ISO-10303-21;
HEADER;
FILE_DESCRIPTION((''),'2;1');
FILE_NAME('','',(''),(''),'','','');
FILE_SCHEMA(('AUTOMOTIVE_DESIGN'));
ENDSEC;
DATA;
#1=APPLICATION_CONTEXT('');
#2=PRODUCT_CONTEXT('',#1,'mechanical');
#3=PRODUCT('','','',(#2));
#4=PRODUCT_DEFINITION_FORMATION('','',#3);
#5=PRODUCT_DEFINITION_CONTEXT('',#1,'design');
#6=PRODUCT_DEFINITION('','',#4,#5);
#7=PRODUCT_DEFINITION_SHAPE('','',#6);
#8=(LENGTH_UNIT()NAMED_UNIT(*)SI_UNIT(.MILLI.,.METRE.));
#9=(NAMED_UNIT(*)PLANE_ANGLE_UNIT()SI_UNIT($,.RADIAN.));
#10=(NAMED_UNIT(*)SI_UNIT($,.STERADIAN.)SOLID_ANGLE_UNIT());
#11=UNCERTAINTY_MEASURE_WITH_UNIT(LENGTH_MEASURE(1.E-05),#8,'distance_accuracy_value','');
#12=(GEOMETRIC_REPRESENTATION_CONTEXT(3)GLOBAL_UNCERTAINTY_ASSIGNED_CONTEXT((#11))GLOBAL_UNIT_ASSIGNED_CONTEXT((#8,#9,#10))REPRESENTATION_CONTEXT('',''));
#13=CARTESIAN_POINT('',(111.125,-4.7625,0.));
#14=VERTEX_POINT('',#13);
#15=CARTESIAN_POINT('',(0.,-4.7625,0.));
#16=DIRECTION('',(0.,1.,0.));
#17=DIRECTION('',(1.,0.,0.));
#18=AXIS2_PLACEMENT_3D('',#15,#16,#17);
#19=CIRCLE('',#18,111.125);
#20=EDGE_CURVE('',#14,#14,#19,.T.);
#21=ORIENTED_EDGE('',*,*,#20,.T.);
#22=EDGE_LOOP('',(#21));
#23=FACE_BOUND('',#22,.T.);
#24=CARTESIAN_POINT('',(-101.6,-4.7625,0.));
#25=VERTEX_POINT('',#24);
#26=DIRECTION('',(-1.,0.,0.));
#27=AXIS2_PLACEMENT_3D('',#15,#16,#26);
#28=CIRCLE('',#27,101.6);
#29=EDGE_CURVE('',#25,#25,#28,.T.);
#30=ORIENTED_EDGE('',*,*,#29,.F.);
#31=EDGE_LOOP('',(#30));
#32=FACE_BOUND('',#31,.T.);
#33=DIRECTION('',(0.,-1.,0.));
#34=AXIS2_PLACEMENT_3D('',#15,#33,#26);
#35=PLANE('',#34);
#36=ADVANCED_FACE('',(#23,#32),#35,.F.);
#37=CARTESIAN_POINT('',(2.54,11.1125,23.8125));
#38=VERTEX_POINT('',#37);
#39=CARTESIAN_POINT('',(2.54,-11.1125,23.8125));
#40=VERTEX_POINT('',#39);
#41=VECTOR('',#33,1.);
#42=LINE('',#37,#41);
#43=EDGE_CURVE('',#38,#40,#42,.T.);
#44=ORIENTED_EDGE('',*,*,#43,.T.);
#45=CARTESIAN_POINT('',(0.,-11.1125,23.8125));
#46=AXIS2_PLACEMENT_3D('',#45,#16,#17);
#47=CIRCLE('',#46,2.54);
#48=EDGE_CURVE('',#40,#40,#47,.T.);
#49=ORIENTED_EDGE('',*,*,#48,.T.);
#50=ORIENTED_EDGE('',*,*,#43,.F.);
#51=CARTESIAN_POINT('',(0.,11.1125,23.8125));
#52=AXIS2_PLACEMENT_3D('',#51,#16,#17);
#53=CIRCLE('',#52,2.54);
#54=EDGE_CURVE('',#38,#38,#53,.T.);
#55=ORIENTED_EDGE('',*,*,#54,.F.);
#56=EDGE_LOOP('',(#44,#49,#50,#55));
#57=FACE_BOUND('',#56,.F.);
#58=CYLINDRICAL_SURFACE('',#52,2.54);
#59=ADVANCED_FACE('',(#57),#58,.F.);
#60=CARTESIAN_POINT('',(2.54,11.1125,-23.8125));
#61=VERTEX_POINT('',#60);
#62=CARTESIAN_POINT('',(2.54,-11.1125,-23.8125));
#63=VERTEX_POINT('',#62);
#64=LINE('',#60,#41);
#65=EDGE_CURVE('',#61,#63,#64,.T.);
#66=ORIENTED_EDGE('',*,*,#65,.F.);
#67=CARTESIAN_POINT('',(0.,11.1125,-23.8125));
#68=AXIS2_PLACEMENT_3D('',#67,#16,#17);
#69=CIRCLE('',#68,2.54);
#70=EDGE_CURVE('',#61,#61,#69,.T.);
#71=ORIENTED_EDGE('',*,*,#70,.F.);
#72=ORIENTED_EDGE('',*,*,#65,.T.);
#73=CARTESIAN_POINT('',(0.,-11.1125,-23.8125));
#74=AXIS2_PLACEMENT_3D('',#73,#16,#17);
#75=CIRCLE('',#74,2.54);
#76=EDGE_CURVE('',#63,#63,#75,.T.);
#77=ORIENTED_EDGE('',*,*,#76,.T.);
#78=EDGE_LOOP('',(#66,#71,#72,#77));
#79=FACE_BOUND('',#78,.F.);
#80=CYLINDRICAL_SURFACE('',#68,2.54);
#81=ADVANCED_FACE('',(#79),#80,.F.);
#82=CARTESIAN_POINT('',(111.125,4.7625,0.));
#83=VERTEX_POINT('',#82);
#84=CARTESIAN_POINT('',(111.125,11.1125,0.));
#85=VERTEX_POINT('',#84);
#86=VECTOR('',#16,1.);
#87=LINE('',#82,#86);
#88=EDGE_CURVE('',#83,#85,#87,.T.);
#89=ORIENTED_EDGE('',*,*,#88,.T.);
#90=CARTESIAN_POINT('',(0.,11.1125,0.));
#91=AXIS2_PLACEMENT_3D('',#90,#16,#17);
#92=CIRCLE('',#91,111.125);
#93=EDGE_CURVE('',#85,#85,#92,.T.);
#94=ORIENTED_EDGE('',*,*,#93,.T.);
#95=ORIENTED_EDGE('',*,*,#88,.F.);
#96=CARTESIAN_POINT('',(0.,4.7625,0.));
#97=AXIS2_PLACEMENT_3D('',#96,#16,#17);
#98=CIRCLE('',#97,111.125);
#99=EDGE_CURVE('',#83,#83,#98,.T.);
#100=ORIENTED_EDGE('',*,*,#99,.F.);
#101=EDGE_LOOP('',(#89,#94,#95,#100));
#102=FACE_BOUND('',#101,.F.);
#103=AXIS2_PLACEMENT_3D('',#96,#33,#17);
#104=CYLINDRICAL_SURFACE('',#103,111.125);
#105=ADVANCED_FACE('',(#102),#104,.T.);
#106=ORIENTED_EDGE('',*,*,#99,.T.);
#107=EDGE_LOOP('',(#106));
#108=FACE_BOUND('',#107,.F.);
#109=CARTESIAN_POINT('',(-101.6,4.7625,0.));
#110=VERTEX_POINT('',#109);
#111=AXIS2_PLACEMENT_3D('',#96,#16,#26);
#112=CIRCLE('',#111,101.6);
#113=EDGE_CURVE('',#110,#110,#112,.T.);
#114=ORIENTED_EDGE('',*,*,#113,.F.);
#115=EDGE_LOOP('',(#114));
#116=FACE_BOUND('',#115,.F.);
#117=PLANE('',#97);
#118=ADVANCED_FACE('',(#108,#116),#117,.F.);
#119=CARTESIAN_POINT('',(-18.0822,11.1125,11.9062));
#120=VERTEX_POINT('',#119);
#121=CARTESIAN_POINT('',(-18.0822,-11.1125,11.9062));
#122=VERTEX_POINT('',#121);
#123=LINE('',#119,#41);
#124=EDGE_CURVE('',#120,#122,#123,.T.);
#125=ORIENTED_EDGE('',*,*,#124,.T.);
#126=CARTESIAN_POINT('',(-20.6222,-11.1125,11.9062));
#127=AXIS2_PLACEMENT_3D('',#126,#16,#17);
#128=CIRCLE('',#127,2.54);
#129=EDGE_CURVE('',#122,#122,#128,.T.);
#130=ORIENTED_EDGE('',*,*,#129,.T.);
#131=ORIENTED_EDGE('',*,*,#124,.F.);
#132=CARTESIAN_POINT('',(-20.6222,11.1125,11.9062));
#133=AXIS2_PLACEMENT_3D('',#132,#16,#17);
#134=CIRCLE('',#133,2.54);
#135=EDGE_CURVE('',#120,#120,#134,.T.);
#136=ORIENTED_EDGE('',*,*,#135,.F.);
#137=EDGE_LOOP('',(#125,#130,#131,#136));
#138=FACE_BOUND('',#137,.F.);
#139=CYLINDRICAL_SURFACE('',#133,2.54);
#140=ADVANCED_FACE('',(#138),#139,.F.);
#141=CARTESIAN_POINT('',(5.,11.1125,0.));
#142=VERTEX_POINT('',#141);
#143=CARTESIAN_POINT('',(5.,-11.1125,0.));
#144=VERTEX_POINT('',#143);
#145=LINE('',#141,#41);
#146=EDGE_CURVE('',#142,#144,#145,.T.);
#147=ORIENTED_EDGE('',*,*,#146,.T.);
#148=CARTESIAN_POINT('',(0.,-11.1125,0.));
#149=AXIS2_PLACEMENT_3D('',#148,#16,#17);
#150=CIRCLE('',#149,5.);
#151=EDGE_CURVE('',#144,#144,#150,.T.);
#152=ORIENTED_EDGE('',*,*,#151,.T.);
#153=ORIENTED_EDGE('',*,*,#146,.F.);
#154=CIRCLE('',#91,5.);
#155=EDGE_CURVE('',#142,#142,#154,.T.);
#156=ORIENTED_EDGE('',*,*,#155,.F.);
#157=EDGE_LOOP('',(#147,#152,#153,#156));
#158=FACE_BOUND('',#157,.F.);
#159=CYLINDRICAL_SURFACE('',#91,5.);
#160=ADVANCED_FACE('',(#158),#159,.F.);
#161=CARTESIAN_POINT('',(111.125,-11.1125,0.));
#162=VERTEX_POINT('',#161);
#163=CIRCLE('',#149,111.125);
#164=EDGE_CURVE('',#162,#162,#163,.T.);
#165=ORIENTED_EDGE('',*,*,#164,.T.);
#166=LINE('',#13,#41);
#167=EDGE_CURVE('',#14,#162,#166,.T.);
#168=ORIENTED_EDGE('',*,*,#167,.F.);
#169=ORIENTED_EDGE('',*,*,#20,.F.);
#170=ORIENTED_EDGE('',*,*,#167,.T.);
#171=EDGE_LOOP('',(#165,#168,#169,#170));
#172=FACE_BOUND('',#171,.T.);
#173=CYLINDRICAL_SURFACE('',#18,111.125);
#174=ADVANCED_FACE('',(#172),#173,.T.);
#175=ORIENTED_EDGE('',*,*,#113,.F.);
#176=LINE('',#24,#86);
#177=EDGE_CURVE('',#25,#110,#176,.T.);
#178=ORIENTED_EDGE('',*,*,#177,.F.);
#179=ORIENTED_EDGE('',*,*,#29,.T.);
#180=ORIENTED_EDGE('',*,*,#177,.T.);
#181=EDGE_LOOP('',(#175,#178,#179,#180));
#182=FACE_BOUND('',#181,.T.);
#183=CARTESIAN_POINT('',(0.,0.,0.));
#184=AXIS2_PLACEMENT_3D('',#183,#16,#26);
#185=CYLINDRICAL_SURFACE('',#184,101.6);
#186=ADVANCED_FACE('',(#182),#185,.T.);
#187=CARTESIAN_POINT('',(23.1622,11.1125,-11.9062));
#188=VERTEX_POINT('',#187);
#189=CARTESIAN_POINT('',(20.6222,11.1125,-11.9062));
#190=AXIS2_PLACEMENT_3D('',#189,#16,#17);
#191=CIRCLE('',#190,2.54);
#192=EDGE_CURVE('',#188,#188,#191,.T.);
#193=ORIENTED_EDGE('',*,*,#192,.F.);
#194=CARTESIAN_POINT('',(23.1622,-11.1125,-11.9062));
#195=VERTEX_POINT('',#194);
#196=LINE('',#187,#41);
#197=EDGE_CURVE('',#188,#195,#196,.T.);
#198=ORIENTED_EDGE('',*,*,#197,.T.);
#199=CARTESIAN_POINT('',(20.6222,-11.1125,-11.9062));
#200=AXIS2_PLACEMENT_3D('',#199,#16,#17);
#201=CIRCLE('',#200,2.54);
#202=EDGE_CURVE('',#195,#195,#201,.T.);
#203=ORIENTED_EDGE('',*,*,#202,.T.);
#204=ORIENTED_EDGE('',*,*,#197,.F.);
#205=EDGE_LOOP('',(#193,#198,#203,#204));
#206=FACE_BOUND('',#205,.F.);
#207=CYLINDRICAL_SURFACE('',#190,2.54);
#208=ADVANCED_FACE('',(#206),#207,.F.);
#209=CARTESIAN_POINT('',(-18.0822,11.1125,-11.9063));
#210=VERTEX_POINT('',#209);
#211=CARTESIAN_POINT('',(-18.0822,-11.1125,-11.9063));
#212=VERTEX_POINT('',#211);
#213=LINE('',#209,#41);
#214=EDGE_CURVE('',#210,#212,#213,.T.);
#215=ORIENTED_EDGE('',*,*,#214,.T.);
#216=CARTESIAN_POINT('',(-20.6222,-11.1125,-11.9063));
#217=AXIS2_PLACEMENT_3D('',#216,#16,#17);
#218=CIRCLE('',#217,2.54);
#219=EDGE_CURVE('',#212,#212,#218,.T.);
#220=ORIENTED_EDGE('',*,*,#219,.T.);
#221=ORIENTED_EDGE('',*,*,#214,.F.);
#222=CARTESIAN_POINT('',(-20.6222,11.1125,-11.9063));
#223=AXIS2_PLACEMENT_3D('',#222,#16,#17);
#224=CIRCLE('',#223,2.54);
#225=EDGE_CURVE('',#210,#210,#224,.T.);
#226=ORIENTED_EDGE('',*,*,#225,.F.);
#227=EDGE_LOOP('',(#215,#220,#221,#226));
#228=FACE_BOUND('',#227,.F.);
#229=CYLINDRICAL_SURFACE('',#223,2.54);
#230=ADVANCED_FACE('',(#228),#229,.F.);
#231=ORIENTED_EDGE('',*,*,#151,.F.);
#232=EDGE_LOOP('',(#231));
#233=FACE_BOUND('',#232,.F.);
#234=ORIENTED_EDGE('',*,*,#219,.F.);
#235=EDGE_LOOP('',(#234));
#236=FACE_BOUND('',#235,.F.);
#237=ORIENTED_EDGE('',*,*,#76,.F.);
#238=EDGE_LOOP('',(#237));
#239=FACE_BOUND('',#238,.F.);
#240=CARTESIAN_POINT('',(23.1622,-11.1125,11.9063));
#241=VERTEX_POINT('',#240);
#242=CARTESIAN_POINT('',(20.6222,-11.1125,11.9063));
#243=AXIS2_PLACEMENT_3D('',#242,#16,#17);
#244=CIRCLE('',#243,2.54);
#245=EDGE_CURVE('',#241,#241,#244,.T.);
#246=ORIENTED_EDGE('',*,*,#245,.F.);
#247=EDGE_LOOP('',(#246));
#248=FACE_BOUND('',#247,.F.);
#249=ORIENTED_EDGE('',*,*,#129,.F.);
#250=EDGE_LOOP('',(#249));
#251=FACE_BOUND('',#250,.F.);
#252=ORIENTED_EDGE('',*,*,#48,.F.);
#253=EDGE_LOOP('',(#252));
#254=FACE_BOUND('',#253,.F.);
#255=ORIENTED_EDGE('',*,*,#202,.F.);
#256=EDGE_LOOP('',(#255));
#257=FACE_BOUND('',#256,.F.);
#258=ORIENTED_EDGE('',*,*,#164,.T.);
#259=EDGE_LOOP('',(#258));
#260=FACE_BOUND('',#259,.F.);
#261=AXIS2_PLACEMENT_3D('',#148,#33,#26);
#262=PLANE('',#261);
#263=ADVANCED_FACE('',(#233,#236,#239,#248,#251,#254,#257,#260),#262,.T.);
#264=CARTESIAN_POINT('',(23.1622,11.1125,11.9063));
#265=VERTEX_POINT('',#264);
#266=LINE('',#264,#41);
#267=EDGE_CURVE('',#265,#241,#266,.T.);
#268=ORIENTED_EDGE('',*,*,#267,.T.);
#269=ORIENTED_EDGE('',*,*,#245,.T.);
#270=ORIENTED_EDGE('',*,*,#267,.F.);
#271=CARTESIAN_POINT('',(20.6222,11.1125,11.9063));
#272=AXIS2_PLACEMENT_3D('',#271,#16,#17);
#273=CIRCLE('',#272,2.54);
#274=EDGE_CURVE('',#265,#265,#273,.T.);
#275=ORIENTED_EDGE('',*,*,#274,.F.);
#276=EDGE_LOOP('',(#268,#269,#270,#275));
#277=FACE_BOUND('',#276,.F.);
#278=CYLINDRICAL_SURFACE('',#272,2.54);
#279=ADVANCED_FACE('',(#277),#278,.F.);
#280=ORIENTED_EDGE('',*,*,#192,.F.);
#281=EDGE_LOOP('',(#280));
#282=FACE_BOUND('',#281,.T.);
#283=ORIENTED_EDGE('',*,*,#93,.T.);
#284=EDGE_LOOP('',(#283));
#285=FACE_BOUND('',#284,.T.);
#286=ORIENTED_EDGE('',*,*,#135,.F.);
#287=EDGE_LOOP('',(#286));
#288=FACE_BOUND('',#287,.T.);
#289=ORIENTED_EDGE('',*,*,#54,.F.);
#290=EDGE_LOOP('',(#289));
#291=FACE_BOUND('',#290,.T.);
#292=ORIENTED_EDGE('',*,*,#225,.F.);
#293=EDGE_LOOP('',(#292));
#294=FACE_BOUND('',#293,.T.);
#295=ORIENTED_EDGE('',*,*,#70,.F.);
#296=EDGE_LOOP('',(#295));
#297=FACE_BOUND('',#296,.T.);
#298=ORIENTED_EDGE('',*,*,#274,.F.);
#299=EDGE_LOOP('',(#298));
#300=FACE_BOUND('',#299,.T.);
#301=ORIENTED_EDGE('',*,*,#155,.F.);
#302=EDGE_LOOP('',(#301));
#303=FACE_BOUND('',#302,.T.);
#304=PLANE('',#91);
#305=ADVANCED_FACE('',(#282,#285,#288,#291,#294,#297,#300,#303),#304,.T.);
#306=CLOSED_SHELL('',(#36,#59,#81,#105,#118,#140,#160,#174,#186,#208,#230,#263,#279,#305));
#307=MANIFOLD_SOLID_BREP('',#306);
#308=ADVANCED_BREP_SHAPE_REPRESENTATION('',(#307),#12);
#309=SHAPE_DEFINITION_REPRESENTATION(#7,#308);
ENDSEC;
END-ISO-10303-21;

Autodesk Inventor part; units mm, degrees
ref_plane "YZ Plane" through (0, 0, 0) normal (1, 0, 0) x (0, 1, 0)
ref_plane "XY Plane" through (0, 0, 0) normal (0, 0, 1) x (1, 0, 0)
sketch "Sketch1" plane through (0, 0, 0) normal (0, 1, 0) x (-1, 0, 0)
  circle A0 centre (0, 0) radius 101.6
  dimension "d0" = 203.2
extrude "Extrusion1" add sketch "Sketch1" along normal mid plane 9.525
sketch "Sketch2" plane through (0, 4.7625, 0) normal (0, 1, 0) x (1, 0, 0)
  circle A0 centre (0, 0) radius 111.125
  dimension "d3" = 222.25
extrude "Extrusion2" add sketch "Sketch2" along normal blind 6.35
mirror "Mirror1" about plane through (0, 0, 0) normal (0, 1, 0) of "Extrusion2"
sketch "Sketch4" plane through (0, 11.1125, 0) normal (0, 1, 0) x (1, 0, 0)
  circle A0 centre (0, 23.8125) radius 2.54
  circle A1 centre (-20.6222, 11.9063) radius 2.54
  circle A2 centre (-20.6222, -11.9062) radius 2.54
  circle A3 centre (0, -23.8125) radius 2.54
  circle A4 centre (20.6222, -11.9063) radius 2.54
  circle A5 centre (20.6222, 11.9062) radius 2.54
  point P0 (0, 0)
  dimension "d6" = 5.08
  dimension "d7" = 23.8125
  dimension "d10" = 360
extrude "Extrusion3" cut sketch "Sketch4" against normal through all
sketch "Sketch5" plane through (0, 11.1125, 0) normal (0, 1, 0) x (1, 0, 0)
  circle A0 centre (0, 0) radius 5
  dimension "d14" = 10
extrude "Extrusion4" cut sketch "Sketch5" against normal through all
equation "\"d0\" = innerDiam"
equation "\"d1\" = innerWidth"
equation "\"d3\" = outerDiam"
equation "\"d4\" = outerWidth"
equation "\"d12\" = outerWidth"
equation "\"d15\" = outerWidth"
equation "\"innerDiam\" = 203.2"
equation "\"innerRadius\" = 0.5 * innerDiam"
equation "\"outerDiam\" = 2 * outerRadius"
equation "\"innerWidth\" = 9.525"
equation "\"outerWidth\" = 6.35"
equation "\"outerRadius\" = 111.125"
properties part number "WoodPully"
